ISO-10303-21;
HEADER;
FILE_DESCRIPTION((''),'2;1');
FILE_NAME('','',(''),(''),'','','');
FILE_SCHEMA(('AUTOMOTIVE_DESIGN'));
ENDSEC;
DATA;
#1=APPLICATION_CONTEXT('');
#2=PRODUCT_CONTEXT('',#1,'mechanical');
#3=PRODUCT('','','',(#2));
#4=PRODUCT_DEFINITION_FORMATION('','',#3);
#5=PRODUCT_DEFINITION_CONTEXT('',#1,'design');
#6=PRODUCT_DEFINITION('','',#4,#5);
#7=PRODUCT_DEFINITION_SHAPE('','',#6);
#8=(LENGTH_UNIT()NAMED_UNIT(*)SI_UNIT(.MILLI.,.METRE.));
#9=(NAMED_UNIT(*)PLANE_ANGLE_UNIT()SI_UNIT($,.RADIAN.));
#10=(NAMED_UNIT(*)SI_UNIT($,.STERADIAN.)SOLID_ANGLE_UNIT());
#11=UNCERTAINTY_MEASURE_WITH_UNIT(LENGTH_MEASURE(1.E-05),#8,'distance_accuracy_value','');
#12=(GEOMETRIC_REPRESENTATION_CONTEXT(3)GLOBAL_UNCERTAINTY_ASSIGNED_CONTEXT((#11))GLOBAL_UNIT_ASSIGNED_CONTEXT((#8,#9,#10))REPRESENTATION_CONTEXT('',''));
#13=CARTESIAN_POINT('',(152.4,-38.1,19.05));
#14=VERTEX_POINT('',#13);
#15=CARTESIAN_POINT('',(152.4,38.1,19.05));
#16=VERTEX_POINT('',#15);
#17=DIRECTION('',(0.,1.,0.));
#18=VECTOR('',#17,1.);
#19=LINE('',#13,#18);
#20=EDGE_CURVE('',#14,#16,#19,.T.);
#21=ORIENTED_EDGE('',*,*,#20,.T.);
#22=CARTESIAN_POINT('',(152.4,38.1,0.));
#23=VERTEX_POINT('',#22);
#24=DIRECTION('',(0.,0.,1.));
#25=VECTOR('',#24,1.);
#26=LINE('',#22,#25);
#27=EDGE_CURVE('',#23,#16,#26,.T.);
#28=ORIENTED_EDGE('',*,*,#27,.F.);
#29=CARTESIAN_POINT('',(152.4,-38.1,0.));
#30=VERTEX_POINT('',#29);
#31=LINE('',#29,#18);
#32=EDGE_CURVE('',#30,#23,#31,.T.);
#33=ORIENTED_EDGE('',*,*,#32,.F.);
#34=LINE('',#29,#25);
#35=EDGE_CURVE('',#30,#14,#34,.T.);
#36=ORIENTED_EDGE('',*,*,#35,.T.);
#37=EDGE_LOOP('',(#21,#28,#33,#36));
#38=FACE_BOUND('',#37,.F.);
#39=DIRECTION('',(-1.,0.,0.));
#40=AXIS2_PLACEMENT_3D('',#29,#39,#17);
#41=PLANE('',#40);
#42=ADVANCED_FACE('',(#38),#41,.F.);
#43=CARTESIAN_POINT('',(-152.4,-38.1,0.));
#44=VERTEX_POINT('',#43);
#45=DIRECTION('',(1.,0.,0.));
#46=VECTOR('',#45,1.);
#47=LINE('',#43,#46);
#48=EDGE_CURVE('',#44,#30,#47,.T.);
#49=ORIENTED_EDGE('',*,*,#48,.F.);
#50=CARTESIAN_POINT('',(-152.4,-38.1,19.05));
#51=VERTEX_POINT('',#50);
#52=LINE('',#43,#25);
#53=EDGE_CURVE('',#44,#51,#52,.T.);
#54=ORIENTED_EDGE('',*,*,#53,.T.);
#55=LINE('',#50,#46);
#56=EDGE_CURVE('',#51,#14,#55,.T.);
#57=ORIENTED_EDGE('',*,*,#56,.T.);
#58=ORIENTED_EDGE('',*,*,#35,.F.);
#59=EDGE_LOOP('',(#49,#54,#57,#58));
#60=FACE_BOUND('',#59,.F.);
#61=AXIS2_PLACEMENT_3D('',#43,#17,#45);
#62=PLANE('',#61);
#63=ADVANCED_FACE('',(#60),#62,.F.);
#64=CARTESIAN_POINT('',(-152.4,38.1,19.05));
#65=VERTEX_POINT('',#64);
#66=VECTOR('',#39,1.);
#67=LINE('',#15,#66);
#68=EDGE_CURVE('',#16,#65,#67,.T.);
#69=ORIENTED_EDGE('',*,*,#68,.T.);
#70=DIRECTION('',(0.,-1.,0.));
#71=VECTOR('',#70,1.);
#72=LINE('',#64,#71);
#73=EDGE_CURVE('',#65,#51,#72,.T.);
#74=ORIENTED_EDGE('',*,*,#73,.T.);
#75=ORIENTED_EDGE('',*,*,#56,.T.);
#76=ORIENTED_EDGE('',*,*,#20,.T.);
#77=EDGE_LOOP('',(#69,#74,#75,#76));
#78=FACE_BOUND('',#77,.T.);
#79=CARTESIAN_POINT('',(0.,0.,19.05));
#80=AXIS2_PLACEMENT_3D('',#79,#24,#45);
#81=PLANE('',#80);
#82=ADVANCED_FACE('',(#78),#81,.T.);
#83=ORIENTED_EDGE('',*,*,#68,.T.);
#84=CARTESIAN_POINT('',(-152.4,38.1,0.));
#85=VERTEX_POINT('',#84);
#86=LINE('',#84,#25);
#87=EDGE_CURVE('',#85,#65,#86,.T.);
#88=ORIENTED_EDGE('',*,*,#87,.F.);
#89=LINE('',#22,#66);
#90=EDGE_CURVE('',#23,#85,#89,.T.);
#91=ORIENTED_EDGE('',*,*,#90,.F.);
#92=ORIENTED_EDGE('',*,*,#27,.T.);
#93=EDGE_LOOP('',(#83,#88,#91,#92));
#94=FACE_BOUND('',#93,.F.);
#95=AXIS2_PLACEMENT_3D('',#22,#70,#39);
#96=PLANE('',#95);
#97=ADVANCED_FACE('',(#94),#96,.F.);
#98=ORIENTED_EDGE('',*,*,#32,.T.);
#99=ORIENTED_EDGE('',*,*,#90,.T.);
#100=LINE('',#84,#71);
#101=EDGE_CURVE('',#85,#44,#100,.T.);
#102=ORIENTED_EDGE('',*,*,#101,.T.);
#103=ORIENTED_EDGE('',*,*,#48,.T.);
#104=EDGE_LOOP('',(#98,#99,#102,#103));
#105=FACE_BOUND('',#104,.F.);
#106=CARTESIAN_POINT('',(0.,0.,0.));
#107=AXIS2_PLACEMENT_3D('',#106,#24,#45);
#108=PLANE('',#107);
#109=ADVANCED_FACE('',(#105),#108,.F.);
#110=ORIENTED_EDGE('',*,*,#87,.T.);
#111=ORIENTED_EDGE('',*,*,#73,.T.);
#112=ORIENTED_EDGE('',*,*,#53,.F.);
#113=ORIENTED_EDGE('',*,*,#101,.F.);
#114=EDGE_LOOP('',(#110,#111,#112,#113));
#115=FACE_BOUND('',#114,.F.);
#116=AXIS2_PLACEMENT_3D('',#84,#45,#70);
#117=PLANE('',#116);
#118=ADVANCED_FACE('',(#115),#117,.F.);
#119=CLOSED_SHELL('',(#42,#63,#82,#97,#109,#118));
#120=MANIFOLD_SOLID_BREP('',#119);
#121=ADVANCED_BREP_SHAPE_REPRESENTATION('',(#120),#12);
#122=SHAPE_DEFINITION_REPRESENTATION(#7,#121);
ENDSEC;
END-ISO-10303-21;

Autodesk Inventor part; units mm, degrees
ref_plane "YZ Plane" through (0, 0, 0) normal (1, 0, 0) x (0, 1, 0)
ref_plane "XZ Plane" through (0, 0, 0) normal (0, 1, 0) x (-1, 0, 0)
ref_plane "XY Plane" through (0, 0, 0) normal (0, 0, 1) x (1, 0, 0)
sketch "Sketch1" plane through (0, 0, 0) normal (0, 0, 1) x (1, 0, 0)
  line L0 (-152.4, -38.1) -> (152.4, -38.1)
  line L1 (152.4, -38.1) -> (152.4, 38.1)
  line L2 (152.4, 38.1) -> (-152.4, 38.1)
  line L3 (-152.4, 38.1) -> (-152.4, -38.1)
  line L4 (-152.4, -38.1) -> (152.4, 38.1) construction
  line L5 (152.4, -38.1) -> (-152.4, 38.1) construction
  point P0 (0, 0)
  dimension "d0" = 304.8
  dimension "d1" = 76.2
extrude "Extrusion1" add sketch "Sketch1" along normal blind 19.05
equation "\"d0\" = Length + 2 * Thickness"
equation "\"d1\" = Height"
equation "\"d2\" = Thickness"
equation "\"Length\" = 266.7"
equation "\"Thickness\" = 19.05"
equation "\"Height\" = 76.2"
properties part number "backPlate"
